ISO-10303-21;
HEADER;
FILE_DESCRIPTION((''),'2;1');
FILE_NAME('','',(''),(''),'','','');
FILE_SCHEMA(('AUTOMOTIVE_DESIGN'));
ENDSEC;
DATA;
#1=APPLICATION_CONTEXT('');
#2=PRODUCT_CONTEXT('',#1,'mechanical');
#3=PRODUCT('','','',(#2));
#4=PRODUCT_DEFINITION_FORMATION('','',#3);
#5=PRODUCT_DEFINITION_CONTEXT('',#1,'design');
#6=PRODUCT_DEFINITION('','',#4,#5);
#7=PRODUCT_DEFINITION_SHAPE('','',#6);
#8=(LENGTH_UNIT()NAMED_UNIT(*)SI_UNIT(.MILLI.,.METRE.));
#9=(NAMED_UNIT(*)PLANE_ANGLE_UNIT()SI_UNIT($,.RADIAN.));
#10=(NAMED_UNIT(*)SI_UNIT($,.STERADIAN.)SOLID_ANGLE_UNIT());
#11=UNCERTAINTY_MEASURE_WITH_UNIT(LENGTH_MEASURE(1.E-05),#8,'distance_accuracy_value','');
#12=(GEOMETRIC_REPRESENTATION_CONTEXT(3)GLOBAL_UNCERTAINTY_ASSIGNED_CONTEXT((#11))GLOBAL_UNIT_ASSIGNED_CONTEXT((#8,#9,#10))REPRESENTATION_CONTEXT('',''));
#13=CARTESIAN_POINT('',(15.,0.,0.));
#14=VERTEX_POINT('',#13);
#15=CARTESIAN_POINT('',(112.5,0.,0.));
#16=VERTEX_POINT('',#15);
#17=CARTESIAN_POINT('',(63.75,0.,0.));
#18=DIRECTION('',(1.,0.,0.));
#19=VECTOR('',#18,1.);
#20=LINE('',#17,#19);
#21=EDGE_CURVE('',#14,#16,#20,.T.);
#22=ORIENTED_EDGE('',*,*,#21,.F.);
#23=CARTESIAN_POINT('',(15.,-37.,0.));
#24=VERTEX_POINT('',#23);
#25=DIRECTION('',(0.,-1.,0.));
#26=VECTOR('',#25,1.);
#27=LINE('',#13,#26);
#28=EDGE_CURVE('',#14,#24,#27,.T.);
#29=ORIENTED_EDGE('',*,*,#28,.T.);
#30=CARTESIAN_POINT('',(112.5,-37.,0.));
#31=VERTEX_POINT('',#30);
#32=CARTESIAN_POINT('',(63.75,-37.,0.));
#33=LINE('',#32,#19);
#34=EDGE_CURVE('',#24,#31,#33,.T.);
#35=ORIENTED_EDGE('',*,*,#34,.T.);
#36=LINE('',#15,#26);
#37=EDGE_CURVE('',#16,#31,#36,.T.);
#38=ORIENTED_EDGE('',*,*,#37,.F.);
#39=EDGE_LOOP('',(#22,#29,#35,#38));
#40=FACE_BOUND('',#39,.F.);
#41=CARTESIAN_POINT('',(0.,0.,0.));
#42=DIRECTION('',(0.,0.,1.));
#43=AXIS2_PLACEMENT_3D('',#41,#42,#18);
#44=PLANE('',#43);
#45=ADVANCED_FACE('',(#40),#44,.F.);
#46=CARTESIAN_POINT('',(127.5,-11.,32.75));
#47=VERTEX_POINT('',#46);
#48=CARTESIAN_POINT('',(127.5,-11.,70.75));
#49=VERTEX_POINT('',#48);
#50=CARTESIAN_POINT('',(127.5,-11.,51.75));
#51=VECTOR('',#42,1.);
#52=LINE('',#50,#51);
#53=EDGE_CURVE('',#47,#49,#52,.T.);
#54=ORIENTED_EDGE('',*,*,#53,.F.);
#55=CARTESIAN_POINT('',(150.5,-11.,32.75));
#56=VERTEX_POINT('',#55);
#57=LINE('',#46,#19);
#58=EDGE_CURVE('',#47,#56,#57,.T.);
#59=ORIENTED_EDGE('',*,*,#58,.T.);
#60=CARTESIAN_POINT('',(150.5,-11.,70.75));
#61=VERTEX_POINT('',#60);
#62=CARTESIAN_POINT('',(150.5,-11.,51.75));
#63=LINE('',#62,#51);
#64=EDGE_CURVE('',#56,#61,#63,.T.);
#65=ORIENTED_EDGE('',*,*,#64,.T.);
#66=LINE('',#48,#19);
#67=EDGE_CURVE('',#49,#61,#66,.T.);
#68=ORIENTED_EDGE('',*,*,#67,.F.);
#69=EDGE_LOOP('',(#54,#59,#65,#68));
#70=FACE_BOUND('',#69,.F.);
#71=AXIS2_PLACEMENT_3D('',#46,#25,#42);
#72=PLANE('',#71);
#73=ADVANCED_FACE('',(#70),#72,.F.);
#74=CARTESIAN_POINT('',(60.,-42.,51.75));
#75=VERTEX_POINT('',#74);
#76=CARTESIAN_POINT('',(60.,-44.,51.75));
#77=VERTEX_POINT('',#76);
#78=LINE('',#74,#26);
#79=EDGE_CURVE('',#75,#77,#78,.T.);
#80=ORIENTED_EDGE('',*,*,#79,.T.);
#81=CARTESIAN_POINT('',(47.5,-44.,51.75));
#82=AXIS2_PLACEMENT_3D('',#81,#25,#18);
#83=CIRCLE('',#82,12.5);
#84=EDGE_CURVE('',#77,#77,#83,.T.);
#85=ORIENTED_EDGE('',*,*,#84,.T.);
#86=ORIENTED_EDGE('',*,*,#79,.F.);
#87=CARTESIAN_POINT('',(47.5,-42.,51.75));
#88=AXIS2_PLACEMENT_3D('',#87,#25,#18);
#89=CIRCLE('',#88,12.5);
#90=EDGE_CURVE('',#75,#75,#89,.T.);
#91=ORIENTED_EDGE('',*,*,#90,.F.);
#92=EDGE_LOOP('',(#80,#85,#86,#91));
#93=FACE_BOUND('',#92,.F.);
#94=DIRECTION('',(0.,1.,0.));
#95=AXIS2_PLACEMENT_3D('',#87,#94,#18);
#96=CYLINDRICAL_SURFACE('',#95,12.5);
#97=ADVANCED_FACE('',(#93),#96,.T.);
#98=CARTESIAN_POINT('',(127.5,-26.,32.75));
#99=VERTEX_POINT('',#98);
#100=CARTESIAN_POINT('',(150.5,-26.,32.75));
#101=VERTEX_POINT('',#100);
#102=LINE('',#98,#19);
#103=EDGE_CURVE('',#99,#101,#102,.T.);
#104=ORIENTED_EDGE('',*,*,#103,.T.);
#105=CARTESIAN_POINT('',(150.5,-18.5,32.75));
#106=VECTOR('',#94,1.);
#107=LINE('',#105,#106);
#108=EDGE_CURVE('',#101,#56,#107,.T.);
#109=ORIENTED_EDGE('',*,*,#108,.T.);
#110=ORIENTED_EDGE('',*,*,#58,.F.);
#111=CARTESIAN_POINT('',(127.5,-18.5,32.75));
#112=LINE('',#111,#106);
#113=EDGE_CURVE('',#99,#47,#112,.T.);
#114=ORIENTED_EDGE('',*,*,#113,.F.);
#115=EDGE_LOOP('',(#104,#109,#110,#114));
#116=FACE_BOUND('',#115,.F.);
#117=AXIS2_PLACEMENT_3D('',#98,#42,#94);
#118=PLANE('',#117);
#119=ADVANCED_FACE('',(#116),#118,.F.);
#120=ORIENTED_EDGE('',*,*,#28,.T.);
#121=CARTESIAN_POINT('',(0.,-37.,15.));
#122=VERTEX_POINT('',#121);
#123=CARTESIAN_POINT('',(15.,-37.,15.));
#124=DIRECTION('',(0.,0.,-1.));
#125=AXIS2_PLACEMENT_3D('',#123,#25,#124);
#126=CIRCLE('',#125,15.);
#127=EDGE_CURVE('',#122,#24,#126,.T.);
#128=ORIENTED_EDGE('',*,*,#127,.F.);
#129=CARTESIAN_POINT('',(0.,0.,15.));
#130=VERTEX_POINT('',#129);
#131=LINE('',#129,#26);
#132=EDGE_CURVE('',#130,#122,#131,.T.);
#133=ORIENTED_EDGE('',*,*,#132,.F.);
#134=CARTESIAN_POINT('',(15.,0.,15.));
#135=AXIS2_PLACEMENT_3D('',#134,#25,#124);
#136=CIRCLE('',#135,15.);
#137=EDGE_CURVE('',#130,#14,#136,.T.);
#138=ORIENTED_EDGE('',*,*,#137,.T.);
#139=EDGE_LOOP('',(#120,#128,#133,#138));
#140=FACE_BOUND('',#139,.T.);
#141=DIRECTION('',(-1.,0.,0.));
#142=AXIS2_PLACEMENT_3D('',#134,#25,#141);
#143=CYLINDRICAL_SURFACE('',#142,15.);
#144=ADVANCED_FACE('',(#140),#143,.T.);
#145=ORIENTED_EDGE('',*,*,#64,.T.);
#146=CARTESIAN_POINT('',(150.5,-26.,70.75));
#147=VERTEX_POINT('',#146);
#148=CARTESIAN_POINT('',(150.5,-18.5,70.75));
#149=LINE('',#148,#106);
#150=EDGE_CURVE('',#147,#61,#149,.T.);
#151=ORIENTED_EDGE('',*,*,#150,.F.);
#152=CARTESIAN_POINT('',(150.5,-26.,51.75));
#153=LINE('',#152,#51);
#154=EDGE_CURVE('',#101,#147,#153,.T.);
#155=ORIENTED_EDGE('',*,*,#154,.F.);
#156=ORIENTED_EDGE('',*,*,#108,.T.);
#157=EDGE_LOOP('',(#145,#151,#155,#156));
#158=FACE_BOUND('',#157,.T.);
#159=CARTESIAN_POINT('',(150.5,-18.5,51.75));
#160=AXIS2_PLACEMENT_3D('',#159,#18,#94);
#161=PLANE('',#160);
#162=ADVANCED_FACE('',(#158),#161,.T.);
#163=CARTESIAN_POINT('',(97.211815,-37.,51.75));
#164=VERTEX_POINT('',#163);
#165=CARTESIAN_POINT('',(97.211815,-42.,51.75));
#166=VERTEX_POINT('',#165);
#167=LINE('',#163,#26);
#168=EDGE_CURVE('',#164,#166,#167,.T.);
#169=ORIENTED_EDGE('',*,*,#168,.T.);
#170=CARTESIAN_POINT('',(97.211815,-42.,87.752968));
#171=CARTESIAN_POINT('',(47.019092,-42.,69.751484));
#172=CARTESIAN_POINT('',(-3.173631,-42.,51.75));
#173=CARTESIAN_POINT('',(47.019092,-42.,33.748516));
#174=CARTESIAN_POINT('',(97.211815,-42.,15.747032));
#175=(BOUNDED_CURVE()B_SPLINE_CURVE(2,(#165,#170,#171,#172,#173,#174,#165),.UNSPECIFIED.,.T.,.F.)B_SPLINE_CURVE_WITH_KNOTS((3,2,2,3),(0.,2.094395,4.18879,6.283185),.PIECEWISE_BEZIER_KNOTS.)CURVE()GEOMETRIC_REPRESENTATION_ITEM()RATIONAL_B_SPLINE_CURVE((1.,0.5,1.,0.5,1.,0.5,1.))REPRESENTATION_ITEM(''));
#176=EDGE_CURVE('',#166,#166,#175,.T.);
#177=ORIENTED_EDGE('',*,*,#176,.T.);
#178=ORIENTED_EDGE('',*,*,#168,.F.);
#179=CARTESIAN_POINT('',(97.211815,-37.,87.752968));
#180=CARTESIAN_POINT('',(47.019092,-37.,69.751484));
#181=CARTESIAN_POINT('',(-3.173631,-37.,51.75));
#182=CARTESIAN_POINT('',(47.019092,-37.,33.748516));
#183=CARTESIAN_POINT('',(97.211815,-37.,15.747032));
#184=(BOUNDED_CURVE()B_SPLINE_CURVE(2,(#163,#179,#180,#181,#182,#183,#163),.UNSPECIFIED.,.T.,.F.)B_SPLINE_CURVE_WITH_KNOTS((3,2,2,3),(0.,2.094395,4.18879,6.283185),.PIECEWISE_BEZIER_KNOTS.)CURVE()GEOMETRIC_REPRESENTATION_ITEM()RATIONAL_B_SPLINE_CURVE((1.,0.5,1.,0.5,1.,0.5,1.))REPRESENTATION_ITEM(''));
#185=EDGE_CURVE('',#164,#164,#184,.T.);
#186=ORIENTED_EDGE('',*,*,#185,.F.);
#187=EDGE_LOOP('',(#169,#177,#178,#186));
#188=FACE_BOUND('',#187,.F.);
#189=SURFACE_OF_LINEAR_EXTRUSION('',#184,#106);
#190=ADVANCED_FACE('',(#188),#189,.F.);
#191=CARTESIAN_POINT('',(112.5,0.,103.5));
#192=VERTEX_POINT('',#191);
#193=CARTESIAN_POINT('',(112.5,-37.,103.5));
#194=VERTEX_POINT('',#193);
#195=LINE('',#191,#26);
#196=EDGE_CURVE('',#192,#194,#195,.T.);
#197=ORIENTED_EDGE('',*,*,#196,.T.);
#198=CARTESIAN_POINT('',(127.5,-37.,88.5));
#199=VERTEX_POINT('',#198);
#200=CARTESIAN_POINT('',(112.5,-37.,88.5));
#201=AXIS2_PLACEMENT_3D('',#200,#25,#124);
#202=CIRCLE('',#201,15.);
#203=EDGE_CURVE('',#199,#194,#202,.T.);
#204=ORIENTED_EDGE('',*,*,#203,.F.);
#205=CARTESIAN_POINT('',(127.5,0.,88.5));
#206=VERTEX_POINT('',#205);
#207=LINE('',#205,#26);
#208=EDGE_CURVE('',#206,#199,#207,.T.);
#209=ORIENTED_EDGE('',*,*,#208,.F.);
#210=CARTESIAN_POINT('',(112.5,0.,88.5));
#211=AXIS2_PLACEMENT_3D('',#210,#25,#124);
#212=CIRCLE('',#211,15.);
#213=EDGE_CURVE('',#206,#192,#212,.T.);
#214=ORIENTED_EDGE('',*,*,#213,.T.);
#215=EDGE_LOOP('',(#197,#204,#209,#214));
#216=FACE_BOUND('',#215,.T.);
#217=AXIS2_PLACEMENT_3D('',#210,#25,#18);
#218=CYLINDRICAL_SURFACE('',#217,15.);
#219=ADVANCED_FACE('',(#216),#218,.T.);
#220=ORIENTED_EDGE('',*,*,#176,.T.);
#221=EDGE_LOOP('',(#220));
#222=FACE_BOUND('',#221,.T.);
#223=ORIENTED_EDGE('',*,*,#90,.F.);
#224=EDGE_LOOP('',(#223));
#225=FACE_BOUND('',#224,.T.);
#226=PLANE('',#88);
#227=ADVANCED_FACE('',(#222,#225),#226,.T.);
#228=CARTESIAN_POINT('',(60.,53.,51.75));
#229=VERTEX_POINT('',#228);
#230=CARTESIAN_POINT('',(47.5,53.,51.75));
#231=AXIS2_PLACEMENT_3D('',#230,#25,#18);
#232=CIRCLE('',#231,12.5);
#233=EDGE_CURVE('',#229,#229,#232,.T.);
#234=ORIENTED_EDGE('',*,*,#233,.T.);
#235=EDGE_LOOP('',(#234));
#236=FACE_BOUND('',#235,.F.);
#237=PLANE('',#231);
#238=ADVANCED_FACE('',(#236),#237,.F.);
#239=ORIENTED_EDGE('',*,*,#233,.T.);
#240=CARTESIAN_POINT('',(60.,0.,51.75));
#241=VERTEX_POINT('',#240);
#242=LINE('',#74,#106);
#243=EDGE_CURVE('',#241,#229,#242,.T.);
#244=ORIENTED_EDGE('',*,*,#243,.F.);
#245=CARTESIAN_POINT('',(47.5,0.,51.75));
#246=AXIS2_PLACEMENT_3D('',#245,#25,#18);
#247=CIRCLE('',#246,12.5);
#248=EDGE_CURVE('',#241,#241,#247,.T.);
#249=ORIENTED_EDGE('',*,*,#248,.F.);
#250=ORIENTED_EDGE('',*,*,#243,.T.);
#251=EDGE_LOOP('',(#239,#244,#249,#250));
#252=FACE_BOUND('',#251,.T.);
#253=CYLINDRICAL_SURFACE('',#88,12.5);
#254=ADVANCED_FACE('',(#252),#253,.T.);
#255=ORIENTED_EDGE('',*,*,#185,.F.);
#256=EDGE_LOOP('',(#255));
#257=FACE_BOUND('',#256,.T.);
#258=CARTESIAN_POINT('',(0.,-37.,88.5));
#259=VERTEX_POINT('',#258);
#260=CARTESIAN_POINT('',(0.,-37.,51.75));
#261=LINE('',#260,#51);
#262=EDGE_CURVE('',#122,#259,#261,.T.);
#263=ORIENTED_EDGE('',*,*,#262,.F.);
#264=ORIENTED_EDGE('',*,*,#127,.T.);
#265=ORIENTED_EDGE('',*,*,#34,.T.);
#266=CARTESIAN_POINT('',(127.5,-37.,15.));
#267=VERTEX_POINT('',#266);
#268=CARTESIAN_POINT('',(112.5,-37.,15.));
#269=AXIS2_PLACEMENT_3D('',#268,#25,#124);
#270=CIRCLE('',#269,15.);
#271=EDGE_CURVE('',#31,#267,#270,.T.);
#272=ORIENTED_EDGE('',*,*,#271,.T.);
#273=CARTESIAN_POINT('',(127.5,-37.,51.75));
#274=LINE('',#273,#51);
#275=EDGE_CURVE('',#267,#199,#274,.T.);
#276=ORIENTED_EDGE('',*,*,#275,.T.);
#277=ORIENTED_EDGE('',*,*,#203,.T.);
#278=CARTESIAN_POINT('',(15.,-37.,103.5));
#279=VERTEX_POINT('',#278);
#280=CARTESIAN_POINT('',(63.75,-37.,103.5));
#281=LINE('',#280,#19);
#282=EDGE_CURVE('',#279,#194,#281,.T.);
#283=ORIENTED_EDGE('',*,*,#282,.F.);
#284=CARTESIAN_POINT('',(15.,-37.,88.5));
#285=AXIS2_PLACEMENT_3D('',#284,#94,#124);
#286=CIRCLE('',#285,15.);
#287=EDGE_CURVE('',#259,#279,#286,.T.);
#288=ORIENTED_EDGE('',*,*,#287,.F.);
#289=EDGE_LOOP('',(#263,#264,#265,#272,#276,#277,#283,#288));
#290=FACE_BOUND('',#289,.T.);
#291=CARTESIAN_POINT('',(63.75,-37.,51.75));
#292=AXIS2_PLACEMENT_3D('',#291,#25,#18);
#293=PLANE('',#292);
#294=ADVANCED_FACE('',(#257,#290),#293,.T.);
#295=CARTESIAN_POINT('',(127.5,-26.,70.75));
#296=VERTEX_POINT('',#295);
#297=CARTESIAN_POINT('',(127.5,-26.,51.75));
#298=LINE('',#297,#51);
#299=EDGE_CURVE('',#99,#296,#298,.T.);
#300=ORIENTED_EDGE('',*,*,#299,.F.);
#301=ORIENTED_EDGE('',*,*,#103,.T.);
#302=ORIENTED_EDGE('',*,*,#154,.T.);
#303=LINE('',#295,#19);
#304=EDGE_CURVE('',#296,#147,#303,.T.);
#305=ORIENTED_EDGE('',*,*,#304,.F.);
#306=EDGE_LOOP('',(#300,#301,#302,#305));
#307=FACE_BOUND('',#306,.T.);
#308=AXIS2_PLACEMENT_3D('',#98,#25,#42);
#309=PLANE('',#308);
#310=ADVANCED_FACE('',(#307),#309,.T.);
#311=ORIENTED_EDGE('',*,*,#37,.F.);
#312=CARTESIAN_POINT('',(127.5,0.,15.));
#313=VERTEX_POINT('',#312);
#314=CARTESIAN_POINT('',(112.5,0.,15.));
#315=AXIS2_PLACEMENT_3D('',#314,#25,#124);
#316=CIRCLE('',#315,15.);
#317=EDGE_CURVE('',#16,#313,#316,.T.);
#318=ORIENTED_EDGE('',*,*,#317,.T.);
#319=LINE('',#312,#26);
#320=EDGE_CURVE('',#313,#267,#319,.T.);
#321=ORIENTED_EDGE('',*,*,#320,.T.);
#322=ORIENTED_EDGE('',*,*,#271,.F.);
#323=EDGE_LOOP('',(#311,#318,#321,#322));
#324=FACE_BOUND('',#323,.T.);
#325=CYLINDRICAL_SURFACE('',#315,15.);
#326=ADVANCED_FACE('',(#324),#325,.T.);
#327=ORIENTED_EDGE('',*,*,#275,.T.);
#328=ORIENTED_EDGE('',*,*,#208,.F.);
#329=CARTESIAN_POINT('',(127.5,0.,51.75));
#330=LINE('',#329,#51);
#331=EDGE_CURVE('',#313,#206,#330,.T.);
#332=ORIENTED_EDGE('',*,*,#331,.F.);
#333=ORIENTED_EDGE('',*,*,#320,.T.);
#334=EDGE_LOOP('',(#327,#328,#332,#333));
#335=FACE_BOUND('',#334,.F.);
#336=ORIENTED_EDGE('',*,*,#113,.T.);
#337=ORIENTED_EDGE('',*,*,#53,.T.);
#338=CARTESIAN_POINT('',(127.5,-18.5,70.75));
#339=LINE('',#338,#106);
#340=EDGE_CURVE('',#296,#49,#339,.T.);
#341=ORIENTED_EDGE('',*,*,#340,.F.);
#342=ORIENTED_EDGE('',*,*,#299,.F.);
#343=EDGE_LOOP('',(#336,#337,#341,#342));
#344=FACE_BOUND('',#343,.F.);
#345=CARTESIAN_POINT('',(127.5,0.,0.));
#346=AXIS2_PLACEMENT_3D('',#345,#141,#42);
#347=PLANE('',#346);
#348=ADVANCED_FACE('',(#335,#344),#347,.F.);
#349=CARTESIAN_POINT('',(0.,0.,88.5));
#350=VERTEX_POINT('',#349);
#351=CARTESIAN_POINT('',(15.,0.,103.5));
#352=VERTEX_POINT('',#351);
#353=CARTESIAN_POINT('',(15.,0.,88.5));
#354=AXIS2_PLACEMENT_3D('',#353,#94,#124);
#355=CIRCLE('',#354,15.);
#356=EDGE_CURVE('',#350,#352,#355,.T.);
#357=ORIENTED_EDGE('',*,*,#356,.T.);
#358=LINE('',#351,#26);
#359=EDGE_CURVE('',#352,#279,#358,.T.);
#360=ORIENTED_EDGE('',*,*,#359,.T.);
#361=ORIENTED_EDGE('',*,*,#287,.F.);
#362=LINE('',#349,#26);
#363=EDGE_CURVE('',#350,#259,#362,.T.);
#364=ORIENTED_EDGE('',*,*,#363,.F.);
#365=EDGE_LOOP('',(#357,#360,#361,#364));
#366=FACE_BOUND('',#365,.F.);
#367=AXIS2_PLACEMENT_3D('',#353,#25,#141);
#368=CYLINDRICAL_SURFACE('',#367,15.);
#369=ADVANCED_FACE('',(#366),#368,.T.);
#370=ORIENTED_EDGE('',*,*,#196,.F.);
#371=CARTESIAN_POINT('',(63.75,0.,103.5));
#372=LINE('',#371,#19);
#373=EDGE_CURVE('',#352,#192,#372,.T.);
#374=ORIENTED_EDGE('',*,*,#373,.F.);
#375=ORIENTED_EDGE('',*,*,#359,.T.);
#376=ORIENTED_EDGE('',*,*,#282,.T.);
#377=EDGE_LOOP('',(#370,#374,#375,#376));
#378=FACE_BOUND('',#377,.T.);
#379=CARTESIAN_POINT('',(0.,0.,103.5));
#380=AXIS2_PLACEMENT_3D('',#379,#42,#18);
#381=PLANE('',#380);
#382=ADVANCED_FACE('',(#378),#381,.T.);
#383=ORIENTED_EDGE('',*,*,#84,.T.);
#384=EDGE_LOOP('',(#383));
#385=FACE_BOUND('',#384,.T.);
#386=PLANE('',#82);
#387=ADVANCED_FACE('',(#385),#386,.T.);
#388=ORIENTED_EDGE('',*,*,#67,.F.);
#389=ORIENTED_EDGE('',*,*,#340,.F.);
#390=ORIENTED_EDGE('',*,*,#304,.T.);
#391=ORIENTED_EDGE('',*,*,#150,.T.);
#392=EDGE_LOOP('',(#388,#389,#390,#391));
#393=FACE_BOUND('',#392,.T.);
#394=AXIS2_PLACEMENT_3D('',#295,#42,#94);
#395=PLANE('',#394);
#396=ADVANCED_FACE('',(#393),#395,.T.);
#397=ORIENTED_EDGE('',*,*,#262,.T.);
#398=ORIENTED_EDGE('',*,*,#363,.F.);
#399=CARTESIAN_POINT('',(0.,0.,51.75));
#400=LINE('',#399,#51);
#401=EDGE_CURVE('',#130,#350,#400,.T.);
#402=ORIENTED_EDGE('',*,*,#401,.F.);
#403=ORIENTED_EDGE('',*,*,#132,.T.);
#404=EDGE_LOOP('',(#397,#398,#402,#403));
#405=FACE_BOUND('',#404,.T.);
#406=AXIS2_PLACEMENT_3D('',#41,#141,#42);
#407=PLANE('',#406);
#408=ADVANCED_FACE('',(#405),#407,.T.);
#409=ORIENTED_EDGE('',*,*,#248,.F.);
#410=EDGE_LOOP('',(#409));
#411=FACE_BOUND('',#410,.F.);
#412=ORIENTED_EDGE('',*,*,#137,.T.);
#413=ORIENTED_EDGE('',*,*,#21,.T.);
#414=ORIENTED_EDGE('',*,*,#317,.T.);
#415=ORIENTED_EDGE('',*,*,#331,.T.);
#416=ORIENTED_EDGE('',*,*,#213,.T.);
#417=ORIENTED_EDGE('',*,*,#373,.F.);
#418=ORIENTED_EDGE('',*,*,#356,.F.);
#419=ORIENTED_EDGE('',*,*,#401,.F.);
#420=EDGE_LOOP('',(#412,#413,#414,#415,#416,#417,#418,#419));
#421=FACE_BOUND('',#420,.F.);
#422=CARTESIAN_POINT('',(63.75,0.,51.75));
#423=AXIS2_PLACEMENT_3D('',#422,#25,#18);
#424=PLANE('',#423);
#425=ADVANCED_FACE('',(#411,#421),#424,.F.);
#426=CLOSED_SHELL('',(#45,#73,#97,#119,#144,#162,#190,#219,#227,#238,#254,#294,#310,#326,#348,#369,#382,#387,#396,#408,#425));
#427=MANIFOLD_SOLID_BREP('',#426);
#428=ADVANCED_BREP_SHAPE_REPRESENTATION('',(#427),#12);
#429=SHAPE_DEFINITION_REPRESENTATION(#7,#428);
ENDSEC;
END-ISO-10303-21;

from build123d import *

# Parameters (mm, degrees)
F0_W     = 127.5
F0_H     = 103.5
F1_DEPTH = 37
F2_R     = 15
F3_W     = 15
F3_H     = 38
F4_DEPTH = 23
F6_DEPTH = 5
F7_R     = 12.5
F8_DEPTH = 95
F9_DEPTH = 2


with BuildPart() as f1:
    # F0 (on Front) → F1 (new body)
    with BuildSketch(Plane.XZ):
        with Locations((63.75, 51.75)):
            Rectangle(F0_W, F0_H)
    extrude(amount=F1_DEPTH)

    # F2
    f2_edges = [f1.edges().sort_by_distance(p)[0] for p in [
        (127.5, -18.5, 103.5),
        (0, -18.5, 103.5),
        (127.5, -18.5, 0),
        (0, -18.5, 0),
    ]]
    fillet(f2_edges, radius=F2_R)

    # F3 (on face) → F4 (join)
    with BuildSketch(Plane.YZ.offset(127.5)):
        with Locations((-18.5, 51.75)):
            Rectangle(F3_W, F3_H)
    extrude(amount=F4_DEPTH)

    # F5 (on face) → F6 (join)
    with BuildSketch(Plane.XZ.offset(37)):
        with BuildLine():
            add(Edge.make_bspline(
                [(97.211815, 51.75), (97.211815, 87.752968), (47.019092, 69.751484), (-3.173631, 51.75), (47.019092, 33.748516), (97.211815, 15.747032), (97.211815, 51.75)],
                knots=[0, 0, 0, 2.094395, 2.094395, 4.18879, 4.18879, 6.283185, 6.283185, 6.283185], degree=2, weights=[1, 0.5, 1, 0.5, 1, 0.5, 1]))
        make_face()
    extrude(amount=F6_DEPTH)

    # F7 (on face) → F8 (join)
    with BuildSketch(Plane.XZ.offset(42)):
        with Locations((47.5, 51.75)):
            Circle(F7_R)
    extrude(amount=-F8_DEPTH)

    # F7 (on face) → F9 (join)
    with BuildSketch(Plane.XZ.offset(42)):
        with Locations((47.5, 51.75)):
            Circle(F7_R)
    extrude(amount=F9_DEPTH)


solid = f1.part
